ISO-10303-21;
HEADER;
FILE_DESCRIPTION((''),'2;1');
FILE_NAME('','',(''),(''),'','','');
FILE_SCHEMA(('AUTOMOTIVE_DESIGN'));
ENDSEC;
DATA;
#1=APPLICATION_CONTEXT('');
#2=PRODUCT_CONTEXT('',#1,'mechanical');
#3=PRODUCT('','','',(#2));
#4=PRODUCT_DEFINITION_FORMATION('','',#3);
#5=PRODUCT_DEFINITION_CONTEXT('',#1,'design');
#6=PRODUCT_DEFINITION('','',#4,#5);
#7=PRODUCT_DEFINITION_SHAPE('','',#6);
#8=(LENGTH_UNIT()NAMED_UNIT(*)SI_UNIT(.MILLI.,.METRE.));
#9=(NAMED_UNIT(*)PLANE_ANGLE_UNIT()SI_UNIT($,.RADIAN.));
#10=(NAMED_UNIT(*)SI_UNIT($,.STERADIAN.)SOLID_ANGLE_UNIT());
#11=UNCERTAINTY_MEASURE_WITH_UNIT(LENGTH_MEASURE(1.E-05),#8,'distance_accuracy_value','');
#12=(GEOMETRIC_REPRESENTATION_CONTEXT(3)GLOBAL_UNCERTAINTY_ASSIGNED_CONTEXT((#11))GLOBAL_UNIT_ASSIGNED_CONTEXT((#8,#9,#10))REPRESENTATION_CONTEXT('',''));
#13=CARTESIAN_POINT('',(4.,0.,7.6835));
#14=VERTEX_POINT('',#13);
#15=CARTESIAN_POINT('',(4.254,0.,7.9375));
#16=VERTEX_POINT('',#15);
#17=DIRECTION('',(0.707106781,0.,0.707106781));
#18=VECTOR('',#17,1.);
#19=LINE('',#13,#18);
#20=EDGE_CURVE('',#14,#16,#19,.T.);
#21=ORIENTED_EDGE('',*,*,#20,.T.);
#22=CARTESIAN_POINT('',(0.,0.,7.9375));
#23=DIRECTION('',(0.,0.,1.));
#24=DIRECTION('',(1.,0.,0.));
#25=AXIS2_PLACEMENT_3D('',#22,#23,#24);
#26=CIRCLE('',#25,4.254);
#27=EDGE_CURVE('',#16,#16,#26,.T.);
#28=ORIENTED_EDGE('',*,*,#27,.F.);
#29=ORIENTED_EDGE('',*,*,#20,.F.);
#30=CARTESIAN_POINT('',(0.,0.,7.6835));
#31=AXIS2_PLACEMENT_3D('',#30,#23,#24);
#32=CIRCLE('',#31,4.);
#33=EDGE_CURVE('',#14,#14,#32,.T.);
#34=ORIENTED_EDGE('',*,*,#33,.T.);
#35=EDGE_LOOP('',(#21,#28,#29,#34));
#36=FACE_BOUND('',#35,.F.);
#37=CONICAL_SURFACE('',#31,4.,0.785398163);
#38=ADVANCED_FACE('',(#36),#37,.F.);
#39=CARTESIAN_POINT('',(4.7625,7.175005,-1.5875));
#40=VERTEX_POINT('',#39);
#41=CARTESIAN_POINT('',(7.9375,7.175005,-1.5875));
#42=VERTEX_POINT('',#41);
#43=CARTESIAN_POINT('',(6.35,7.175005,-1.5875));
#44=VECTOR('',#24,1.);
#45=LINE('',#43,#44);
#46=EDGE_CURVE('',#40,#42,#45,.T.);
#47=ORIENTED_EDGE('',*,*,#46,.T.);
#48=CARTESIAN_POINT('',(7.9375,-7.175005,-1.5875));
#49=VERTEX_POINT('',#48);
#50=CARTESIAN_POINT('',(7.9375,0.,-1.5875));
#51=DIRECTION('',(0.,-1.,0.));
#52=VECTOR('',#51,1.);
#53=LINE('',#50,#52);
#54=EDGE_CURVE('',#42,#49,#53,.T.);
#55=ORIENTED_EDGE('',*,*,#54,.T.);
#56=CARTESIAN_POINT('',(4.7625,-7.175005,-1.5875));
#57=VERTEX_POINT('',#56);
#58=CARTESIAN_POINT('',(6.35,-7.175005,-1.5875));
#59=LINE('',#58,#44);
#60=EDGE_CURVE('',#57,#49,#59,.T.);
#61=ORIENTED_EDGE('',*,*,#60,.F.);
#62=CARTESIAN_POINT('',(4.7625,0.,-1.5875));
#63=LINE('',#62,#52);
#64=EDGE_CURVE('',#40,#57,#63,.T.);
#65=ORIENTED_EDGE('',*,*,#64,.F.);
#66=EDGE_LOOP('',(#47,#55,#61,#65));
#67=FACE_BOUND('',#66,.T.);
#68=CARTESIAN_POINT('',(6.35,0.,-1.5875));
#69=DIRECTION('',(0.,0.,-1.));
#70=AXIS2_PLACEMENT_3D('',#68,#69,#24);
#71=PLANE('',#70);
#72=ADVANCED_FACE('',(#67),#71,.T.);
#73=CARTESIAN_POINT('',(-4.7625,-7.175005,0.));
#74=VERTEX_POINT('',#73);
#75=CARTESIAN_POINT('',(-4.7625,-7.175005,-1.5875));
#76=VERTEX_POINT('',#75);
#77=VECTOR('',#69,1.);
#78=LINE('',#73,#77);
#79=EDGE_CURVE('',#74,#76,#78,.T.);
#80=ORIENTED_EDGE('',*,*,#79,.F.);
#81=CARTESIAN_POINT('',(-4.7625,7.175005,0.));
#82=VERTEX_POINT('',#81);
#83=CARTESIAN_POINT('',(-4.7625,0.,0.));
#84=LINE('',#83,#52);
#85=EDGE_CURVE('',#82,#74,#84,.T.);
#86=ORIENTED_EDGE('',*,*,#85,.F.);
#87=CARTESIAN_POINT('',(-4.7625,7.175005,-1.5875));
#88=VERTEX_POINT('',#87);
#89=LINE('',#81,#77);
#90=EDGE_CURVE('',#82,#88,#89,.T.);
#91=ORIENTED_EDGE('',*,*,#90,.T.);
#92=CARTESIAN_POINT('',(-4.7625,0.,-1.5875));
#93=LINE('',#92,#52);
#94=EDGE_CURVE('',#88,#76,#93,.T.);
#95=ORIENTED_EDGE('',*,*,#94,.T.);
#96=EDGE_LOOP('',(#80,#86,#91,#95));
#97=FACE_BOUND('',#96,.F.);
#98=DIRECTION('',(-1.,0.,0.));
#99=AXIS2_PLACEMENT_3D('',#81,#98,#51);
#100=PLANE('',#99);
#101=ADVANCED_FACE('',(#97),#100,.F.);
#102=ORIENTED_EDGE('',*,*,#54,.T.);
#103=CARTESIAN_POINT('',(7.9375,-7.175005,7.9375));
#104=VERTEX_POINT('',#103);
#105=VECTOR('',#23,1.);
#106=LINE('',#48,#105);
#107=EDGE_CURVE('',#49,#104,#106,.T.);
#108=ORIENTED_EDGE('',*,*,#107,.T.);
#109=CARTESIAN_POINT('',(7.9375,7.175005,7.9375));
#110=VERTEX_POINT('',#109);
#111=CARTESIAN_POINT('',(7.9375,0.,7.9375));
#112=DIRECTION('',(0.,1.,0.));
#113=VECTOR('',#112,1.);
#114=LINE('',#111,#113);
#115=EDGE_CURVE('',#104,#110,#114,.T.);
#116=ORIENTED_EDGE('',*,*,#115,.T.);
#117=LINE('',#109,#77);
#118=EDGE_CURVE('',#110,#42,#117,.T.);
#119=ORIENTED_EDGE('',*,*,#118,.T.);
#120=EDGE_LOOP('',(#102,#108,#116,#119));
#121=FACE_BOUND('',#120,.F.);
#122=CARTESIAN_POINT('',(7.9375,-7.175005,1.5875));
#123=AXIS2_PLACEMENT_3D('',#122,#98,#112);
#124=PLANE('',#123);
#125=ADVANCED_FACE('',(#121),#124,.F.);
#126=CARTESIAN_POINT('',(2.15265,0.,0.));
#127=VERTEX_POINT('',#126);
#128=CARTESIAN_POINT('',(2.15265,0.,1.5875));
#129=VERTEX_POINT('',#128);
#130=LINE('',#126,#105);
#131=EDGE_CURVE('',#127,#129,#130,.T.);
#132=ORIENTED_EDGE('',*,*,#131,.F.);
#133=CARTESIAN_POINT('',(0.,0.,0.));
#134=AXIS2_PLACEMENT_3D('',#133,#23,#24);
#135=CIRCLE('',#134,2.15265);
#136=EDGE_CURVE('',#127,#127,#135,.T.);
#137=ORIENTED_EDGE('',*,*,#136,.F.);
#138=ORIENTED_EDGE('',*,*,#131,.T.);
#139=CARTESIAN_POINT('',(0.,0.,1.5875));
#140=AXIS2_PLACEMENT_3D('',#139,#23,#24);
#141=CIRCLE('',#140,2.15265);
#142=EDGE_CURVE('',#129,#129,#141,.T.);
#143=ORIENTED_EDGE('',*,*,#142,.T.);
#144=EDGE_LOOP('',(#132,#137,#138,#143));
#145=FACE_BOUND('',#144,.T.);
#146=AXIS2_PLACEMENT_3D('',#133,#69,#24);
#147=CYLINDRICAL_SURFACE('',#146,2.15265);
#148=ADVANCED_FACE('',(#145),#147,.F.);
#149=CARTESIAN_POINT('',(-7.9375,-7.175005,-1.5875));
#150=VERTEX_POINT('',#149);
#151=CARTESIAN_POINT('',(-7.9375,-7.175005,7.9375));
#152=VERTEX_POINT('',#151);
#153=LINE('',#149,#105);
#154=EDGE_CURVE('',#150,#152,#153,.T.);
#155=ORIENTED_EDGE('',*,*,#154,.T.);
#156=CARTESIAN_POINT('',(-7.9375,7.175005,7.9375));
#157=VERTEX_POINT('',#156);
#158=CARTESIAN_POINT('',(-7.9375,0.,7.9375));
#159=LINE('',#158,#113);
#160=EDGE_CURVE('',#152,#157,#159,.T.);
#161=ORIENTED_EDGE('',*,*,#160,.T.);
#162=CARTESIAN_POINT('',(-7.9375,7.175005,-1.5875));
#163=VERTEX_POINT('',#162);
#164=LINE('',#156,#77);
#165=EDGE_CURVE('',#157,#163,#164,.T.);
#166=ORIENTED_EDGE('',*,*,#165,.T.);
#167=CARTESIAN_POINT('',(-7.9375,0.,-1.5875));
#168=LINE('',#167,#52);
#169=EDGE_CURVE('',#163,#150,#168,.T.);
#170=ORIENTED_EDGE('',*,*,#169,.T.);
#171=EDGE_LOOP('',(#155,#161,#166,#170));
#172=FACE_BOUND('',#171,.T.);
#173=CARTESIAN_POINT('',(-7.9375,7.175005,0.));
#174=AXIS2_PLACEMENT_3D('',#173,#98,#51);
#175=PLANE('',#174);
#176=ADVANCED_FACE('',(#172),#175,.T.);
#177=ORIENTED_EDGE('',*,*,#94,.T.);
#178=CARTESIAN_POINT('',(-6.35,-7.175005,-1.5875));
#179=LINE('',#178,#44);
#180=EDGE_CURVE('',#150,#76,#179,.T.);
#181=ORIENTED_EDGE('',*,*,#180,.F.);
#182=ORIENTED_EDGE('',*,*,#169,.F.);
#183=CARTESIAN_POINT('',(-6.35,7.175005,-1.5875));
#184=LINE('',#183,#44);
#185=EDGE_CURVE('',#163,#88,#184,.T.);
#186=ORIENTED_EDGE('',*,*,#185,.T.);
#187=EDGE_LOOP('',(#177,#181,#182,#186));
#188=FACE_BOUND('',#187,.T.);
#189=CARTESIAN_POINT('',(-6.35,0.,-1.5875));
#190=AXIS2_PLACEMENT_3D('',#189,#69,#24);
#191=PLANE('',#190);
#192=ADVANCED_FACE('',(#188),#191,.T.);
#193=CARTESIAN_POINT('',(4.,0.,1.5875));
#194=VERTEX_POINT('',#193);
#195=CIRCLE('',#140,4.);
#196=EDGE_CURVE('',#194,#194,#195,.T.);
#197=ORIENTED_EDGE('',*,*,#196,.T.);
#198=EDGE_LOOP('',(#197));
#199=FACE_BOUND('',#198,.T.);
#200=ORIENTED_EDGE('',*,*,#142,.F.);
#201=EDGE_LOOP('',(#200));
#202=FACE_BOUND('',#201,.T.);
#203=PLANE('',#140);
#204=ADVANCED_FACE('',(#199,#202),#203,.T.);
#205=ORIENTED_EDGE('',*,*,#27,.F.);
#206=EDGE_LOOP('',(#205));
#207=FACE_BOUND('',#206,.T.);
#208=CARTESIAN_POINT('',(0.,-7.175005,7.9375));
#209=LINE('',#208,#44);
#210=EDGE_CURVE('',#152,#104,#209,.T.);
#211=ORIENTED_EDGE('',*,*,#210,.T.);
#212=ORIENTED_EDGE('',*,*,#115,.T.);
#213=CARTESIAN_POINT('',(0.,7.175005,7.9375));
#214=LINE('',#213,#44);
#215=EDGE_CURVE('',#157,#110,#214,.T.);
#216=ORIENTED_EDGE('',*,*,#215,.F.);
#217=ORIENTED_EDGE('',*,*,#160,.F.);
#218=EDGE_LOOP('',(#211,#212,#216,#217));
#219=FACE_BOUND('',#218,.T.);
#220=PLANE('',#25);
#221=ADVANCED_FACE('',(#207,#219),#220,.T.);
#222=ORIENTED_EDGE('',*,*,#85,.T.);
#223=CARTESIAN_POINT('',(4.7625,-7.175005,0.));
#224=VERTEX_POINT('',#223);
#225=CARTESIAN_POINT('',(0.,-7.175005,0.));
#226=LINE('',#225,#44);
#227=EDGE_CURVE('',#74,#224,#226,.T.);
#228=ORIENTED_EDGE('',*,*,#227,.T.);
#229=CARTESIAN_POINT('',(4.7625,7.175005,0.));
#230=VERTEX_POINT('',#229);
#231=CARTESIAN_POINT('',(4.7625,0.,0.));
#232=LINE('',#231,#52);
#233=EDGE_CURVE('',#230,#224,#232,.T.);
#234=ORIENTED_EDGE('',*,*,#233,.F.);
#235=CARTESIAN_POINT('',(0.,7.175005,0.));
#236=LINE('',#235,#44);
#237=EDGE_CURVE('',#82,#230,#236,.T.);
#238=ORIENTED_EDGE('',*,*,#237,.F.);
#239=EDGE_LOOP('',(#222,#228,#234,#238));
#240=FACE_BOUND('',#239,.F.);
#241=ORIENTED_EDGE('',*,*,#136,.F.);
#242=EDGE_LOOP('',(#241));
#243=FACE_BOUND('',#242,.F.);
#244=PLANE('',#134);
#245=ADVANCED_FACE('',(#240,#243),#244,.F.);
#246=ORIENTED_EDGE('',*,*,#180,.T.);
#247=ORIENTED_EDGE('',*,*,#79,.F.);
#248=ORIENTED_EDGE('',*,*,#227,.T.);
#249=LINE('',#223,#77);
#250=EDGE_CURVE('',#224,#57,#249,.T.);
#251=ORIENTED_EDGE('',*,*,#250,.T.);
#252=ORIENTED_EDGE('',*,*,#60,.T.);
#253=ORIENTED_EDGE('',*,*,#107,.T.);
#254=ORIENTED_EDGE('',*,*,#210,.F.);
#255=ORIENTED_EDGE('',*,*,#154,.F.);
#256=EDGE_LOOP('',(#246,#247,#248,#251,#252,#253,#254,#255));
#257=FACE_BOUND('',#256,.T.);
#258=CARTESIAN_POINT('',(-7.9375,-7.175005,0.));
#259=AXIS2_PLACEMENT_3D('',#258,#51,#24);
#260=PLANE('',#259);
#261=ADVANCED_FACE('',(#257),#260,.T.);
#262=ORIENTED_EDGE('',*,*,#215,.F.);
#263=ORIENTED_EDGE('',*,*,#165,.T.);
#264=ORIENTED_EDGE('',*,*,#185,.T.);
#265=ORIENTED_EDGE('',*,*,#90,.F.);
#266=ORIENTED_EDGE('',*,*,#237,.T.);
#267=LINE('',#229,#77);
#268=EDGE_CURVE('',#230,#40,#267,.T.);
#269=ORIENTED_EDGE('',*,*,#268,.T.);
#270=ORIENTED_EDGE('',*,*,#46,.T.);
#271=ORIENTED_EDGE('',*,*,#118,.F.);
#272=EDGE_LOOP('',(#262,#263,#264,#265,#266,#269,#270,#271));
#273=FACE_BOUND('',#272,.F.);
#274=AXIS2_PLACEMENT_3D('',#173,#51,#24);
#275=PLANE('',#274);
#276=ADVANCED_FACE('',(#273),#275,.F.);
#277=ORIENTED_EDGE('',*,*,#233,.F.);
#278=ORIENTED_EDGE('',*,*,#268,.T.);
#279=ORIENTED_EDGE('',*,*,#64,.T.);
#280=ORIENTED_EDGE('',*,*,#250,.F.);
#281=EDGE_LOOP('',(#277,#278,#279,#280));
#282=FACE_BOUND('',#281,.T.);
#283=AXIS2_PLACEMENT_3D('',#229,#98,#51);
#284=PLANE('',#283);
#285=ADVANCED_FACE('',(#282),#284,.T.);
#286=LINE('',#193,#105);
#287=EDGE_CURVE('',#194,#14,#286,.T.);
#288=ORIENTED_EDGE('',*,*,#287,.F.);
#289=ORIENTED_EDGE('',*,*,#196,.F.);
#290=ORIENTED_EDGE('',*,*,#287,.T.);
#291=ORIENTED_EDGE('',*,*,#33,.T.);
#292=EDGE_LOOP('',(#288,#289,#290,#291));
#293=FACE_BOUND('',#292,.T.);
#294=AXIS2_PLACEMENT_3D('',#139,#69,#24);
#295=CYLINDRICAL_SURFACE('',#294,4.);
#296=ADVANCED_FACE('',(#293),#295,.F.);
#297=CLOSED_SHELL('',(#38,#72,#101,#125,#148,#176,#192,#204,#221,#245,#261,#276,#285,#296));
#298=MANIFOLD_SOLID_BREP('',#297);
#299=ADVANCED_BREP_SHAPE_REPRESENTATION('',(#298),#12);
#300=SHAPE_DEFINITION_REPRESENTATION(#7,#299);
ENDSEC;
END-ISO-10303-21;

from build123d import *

# Parameters (mm, degrees)
F0_W     = 15.875
F0_H     = 14.35001
F0_R     = 2.15265
F1_DEPTH = 1.5875
F2_W     = 15.875
F2_H     = 14.35001
F2_R     = 4
F3_DEPTH = 6.35
F4_SIZE  = 0.254
F5_W     = 3.175
F5_H     = 14.35001
F6_DEPTH = 1.5875


with BuildPart() as f1:
    # F0 (on Top) → F1 (new body)
    with BuildSketch(Plane.XY):
        Rectangle(F0_W, F0_H)
        Circle(F0_R, mode=Mode.SUBTRACT)
    extrude(amount=F1_DEPTH)

    # F2 (on face) → F3 (join)
    with BuildSketch(Plane.XY.offset(1.5875)):
        Rectangle(F2_W, F2_H)
        Circle(F2_R, mode=Mode.SUBTRACT)
    extrude(amount=F3_DEPTH)

    # F4
    f4_edges = [f1.edges().sort_by_distance(p)[0] for p in [
        (-4, 0, 7.9375),
    ]]
    chamfer(f4_edges, length=F4_SIZE)

    # F5 (on face) → F6 (join)
    with BuildSketch(Plane(origin=(0, 0, 0), x_dir=(1, 0, 0), z_dir=(0, 0, -1))):
        with Locations((-6.35, 0)):
            Rectangle(F5_W, F5_H)
        with Locations((6.35, 0)):
            Rectangle(F5_W, F5_H)
    extrude(amount=F6_DEPTH)


solid = f1.part
